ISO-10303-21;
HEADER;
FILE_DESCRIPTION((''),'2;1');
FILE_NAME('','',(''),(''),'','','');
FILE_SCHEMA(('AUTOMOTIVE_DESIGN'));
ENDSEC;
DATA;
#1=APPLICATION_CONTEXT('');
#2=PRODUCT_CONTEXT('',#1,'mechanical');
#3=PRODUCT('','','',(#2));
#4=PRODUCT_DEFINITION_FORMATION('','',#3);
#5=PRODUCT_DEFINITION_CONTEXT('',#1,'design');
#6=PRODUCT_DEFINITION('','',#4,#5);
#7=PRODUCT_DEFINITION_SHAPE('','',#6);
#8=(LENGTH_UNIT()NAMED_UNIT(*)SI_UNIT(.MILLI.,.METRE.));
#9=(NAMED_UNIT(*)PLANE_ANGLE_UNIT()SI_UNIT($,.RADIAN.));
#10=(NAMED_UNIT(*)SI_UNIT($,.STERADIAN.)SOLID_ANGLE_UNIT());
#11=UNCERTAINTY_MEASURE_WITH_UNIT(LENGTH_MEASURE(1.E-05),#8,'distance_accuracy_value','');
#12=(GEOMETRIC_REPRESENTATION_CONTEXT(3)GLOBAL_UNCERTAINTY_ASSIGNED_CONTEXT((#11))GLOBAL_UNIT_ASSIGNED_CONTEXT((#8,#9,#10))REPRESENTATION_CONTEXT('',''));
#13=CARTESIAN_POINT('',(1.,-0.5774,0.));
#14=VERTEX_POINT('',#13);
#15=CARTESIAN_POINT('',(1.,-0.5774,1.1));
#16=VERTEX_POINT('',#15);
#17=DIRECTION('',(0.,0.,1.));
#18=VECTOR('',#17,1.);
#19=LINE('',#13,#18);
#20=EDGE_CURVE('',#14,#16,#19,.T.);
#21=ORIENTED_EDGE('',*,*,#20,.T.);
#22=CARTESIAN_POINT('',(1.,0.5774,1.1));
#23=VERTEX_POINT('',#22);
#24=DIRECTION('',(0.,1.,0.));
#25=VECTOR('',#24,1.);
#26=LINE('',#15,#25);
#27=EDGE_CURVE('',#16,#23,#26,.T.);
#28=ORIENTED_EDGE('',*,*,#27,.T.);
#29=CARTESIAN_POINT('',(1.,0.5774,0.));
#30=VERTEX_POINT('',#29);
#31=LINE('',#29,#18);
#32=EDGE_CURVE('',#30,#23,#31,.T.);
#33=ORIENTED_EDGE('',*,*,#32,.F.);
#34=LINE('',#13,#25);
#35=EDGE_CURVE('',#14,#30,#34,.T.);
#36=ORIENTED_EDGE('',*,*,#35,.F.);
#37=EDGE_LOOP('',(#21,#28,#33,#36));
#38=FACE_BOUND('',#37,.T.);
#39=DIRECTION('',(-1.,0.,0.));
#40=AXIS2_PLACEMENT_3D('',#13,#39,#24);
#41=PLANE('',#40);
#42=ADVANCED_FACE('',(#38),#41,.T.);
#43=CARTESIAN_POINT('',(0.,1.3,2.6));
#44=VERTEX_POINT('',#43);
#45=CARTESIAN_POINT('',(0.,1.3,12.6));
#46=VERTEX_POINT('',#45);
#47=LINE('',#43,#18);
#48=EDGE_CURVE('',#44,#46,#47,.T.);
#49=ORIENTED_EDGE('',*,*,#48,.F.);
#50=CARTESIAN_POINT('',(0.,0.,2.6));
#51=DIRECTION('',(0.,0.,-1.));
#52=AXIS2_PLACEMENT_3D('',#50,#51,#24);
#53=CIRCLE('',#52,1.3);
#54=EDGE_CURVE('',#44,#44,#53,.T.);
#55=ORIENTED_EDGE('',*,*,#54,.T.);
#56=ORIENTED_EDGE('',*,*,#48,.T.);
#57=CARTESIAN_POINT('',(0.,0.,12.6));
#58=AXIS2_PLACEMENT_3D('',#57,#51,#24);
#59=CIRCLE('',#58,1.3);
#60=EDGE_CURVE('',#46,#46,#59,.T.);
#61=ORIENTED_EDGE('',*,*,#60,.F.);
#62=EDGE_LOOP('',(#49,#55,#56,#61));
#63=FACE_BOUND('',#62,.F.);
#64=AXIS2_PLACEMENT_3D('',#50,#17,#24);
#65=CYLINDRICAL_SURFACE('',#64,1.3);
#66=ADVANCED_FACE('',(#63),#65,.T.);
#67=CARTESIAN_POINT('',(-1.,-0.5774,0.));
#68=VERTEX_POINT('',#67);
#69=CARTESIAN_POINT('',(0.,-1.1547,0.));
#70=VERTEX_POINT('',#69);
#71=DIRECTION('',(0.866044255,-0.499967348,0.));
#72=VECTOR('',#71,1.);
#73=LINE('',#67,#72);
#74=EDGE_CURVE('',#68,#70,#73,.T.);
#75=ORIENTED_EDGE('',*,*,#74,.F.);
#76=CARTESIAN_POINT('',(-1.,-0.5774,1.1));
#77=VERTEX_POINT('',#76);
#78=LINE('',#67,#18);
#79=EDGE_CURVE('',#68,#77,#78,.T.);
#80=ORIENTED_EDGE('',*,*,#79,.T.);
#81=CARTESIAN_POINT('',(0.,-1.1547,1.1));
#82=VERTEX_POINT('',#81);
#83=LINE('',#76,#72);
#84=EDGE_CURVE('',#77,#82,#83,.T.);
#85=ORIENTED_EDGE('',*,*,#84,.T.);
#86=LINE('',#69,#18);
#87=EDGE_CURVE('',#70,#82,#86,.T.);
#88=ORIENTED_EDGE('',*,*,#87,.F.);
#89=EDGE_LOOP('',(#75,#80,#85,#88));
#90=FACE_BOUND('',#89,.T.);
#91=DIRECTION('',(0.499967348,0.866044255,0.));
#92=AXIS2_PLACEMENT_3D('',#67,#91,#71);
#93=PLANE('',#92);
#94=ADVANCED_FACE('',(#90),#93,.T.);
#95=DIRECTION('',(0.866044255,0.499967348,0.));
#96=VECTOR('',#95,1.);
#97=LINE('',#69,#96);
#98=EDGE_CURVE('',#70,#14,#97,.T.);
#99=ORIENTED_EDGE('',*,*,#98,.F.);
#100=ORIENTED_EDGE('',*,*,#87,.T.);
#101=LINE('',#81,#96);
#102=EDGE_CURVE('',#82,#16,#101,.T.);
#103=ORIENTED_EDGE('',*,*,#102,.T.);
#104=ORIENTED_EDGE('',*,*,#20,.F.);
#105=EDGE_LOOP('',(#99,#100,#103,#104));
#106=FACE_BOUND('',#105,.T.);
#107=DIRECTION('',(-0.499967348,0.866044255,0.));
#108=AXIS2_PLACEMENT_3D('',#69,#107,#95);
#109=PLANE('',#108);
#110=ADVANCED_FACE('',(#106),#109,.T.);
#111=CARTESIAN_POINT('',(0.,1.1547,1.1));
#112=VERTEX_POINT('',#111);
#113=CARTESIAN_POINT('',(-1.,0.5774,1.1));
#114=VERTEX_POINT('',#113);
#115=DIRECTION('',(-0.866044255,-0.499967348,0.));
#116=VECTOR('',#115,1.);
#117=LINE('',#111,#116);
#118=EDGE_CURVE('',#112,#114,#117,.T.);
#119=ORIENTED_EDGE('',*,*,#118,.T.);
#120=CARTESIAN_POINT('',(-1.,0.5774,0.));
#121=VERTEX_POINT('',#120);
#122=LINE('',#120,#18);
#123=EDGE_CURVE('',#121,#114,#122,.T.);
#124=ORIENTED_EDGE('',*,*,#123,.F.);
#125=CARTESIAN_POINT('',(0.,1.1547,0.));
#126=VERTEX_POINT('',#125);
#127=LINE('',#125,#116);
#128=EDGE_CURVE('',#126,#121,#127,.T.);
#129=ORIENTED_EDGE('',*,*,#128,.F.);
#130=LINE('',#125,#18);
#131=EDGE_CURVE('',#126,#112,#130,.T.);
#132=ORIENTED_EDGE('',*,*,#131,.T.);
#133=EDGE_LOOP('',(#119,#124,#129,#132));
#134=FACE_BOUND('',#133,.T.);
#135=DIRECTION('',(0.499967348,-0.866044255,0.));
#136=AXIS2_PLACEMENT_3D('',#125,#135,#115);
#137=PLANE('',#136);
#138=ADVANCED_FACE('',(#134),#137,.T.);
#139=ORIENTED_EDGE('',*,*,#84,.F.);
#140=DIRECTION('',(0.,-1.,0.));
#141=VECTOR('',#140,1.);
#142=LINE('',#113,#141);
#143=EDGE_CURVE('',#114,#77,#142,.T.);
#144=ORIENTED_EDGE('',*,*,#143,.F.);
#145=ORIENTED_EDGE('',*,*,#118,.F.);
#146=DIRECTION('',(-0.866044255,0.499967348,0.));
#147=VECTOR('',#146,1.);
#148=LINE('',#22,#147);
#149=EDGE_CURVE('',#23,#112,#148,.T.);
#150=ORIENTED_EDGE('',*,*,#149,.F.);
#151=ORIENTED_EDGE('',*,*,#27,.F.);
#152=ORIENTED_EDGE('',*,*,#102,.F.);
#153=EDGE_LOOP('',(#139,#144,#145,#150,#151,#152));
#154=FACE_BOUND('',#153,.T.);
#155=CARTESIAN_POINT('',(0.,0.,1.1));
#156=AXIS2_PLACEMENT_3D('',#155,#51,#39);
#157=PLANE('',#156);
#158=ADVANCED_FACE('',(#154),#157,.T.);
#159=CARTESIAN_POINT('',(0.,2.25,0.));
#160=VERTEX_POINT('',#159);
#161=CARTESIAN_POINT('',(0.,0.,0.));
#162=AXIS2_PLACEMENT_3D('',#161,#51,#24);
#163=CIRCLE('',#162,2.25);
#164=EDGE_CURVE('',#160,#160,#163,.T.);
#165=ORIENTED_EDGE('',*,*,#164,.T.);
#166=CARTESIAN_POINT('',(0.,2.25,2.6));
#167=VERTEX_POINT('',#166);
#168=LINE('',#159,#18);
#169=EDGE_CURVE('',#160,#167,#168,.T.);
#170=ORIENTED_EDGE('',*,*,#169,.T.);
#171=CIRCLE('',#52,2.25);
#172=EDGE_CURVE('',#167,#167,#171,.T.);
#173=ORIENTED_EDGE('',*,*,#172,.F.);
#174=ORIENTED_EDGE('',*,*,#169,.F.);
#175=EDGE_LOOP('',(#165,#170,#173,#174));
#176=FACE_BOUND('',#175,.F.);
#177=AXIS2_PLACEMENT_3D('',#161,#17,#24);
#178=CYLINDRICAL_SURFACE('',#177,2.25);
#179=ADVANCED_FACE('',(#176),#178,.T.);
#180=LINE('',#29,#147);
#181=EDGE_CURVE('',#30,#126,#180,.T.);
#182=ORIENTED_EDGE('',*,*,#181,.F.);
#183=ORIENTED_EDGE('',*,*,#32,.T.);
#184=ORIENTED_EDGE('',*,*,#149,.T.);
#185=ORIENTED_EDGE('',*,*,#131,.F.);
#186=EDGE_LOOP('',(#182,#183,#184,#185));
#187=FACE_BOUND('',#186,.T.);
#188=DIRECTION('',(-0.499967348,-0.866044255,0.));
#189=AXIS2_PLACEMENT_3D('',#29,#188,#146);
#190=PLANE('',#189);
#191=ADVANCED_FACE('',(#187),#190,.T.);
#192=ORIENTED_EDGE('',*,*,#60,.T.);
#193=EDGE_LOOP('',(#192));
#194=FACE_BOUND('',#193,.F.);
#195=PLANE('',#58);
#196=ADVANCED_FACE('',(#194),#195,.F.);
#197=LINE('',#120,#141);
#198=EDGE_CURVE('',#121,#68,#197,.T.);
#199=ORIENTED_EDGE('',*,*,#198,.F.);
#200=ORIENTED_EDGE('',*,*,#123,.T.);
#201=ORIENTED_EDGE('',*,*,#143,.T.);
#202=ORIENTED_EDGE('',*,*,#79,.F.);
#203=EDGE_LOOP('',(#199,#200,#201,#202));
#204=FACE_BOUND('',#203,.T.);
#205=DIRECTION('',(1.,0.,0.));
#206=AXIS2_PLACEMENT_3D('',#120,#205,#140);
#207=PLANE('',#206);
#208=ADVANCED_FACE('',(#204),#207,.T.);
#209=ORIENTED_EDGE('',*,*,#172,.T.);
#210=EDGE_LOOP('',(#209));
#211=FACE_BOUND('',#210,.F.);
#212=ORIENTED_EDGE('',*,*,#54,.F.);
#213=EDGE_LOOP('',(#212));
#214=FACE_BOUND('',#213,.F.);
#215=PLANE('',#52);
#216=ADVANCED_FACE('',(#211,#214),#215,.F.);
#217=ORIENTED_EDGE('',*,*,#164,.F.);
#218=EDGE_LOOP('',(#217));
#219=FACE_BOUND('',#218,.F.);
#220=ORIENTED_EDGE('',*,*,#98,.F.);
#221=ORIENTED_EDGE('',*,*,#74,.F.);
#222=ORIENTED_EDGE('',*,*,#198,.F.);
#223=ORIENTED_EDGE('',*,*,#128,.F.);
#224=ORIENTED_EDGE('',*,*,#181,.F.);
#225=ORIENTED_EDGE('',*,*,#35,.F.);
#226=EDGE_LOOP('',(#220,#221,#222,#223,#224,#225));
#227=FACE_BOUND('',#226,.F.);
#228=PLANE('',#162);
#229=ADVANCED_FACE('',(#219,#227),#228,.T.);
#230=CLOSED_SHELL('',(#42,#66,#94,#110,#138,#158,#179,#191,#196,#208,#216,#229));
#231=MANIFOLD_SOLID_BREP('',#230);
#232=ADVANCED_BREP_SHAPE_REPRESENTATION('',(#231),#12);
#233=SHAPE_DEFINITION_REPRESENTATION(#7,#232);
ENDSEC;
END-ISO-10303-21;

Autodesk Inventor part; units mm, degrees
ref_plane "YZ Plane" through (0, 0, 0) normal (1, 0, 0) x (0, 1, 0)
ref_plane "XZ Plane" through (0, 0, 0) normal (0, 1, 0) x (-1, 0, 0)
ref_plane "XY Plane" through (0, 0, 0) normal (0, 0, 1) x (1, 0, 0)
sketch "スケッチ1" plane through (0, 0, 0) normal (1, 0, 0) x (0, 1, 0)
  line L0 (0, 12.6) -> (0, 0)
  line L1 (0, 0) -> (2.25, 0)
  line L2 (2.25, 0) -> (2.25, 2.6)
  line L3 (2.25, 2.6) -> (1.3, 2.6)
  line L4 (1.3, 2.6) -> (1.3, 12.6)
  line L5 (1.3, 12.6) -> (0, 12.6)
  dimension "d2" = 2.6
  dimension "d10" = 10
  dimension "d11" = 2.6
  dimension "d12" = 4.5
revolve "回転1" add sketch "スケッチ1" angle 360 about axis through (0, 0, 12.6) along (0, 0, -1)
thread "ねじ1" size "M2.6x0.45" class "6g" standard "ANSI Metric M Profile" full length
sketch "スケッチ2" plane through (0, 0, 0) normal (0, 0, -1) x (-1, 0, 0)
  line L0 (0, 1.1547) -> (1, 0.5774)
  line L1 (1, 0.5774) -> (1, -0.5774)
  line L2 (1, -0.5774) -> (0, -1.1547)
  line L3 (0, -1.1547) -> (-1, -0.5774)
  line L4 (-1, -0.5774) -> (-1, 0.5774)
  line L5 (-1, 0.5774) -> (0, 1.1547)
  circle A0 centre (0, 0) radius 2.25 projected
  line L6 (0, 2.25) -> (0, -2.25) construction
  dimension "d7" = 2
extrude "押し出し1" cut sketch "スケッチ2" against normal blind 1.1 contours L0 L1 L2 L3 L4 L5
properties part number "UC-2610" material "ステンレス鋼 AISI 304"
